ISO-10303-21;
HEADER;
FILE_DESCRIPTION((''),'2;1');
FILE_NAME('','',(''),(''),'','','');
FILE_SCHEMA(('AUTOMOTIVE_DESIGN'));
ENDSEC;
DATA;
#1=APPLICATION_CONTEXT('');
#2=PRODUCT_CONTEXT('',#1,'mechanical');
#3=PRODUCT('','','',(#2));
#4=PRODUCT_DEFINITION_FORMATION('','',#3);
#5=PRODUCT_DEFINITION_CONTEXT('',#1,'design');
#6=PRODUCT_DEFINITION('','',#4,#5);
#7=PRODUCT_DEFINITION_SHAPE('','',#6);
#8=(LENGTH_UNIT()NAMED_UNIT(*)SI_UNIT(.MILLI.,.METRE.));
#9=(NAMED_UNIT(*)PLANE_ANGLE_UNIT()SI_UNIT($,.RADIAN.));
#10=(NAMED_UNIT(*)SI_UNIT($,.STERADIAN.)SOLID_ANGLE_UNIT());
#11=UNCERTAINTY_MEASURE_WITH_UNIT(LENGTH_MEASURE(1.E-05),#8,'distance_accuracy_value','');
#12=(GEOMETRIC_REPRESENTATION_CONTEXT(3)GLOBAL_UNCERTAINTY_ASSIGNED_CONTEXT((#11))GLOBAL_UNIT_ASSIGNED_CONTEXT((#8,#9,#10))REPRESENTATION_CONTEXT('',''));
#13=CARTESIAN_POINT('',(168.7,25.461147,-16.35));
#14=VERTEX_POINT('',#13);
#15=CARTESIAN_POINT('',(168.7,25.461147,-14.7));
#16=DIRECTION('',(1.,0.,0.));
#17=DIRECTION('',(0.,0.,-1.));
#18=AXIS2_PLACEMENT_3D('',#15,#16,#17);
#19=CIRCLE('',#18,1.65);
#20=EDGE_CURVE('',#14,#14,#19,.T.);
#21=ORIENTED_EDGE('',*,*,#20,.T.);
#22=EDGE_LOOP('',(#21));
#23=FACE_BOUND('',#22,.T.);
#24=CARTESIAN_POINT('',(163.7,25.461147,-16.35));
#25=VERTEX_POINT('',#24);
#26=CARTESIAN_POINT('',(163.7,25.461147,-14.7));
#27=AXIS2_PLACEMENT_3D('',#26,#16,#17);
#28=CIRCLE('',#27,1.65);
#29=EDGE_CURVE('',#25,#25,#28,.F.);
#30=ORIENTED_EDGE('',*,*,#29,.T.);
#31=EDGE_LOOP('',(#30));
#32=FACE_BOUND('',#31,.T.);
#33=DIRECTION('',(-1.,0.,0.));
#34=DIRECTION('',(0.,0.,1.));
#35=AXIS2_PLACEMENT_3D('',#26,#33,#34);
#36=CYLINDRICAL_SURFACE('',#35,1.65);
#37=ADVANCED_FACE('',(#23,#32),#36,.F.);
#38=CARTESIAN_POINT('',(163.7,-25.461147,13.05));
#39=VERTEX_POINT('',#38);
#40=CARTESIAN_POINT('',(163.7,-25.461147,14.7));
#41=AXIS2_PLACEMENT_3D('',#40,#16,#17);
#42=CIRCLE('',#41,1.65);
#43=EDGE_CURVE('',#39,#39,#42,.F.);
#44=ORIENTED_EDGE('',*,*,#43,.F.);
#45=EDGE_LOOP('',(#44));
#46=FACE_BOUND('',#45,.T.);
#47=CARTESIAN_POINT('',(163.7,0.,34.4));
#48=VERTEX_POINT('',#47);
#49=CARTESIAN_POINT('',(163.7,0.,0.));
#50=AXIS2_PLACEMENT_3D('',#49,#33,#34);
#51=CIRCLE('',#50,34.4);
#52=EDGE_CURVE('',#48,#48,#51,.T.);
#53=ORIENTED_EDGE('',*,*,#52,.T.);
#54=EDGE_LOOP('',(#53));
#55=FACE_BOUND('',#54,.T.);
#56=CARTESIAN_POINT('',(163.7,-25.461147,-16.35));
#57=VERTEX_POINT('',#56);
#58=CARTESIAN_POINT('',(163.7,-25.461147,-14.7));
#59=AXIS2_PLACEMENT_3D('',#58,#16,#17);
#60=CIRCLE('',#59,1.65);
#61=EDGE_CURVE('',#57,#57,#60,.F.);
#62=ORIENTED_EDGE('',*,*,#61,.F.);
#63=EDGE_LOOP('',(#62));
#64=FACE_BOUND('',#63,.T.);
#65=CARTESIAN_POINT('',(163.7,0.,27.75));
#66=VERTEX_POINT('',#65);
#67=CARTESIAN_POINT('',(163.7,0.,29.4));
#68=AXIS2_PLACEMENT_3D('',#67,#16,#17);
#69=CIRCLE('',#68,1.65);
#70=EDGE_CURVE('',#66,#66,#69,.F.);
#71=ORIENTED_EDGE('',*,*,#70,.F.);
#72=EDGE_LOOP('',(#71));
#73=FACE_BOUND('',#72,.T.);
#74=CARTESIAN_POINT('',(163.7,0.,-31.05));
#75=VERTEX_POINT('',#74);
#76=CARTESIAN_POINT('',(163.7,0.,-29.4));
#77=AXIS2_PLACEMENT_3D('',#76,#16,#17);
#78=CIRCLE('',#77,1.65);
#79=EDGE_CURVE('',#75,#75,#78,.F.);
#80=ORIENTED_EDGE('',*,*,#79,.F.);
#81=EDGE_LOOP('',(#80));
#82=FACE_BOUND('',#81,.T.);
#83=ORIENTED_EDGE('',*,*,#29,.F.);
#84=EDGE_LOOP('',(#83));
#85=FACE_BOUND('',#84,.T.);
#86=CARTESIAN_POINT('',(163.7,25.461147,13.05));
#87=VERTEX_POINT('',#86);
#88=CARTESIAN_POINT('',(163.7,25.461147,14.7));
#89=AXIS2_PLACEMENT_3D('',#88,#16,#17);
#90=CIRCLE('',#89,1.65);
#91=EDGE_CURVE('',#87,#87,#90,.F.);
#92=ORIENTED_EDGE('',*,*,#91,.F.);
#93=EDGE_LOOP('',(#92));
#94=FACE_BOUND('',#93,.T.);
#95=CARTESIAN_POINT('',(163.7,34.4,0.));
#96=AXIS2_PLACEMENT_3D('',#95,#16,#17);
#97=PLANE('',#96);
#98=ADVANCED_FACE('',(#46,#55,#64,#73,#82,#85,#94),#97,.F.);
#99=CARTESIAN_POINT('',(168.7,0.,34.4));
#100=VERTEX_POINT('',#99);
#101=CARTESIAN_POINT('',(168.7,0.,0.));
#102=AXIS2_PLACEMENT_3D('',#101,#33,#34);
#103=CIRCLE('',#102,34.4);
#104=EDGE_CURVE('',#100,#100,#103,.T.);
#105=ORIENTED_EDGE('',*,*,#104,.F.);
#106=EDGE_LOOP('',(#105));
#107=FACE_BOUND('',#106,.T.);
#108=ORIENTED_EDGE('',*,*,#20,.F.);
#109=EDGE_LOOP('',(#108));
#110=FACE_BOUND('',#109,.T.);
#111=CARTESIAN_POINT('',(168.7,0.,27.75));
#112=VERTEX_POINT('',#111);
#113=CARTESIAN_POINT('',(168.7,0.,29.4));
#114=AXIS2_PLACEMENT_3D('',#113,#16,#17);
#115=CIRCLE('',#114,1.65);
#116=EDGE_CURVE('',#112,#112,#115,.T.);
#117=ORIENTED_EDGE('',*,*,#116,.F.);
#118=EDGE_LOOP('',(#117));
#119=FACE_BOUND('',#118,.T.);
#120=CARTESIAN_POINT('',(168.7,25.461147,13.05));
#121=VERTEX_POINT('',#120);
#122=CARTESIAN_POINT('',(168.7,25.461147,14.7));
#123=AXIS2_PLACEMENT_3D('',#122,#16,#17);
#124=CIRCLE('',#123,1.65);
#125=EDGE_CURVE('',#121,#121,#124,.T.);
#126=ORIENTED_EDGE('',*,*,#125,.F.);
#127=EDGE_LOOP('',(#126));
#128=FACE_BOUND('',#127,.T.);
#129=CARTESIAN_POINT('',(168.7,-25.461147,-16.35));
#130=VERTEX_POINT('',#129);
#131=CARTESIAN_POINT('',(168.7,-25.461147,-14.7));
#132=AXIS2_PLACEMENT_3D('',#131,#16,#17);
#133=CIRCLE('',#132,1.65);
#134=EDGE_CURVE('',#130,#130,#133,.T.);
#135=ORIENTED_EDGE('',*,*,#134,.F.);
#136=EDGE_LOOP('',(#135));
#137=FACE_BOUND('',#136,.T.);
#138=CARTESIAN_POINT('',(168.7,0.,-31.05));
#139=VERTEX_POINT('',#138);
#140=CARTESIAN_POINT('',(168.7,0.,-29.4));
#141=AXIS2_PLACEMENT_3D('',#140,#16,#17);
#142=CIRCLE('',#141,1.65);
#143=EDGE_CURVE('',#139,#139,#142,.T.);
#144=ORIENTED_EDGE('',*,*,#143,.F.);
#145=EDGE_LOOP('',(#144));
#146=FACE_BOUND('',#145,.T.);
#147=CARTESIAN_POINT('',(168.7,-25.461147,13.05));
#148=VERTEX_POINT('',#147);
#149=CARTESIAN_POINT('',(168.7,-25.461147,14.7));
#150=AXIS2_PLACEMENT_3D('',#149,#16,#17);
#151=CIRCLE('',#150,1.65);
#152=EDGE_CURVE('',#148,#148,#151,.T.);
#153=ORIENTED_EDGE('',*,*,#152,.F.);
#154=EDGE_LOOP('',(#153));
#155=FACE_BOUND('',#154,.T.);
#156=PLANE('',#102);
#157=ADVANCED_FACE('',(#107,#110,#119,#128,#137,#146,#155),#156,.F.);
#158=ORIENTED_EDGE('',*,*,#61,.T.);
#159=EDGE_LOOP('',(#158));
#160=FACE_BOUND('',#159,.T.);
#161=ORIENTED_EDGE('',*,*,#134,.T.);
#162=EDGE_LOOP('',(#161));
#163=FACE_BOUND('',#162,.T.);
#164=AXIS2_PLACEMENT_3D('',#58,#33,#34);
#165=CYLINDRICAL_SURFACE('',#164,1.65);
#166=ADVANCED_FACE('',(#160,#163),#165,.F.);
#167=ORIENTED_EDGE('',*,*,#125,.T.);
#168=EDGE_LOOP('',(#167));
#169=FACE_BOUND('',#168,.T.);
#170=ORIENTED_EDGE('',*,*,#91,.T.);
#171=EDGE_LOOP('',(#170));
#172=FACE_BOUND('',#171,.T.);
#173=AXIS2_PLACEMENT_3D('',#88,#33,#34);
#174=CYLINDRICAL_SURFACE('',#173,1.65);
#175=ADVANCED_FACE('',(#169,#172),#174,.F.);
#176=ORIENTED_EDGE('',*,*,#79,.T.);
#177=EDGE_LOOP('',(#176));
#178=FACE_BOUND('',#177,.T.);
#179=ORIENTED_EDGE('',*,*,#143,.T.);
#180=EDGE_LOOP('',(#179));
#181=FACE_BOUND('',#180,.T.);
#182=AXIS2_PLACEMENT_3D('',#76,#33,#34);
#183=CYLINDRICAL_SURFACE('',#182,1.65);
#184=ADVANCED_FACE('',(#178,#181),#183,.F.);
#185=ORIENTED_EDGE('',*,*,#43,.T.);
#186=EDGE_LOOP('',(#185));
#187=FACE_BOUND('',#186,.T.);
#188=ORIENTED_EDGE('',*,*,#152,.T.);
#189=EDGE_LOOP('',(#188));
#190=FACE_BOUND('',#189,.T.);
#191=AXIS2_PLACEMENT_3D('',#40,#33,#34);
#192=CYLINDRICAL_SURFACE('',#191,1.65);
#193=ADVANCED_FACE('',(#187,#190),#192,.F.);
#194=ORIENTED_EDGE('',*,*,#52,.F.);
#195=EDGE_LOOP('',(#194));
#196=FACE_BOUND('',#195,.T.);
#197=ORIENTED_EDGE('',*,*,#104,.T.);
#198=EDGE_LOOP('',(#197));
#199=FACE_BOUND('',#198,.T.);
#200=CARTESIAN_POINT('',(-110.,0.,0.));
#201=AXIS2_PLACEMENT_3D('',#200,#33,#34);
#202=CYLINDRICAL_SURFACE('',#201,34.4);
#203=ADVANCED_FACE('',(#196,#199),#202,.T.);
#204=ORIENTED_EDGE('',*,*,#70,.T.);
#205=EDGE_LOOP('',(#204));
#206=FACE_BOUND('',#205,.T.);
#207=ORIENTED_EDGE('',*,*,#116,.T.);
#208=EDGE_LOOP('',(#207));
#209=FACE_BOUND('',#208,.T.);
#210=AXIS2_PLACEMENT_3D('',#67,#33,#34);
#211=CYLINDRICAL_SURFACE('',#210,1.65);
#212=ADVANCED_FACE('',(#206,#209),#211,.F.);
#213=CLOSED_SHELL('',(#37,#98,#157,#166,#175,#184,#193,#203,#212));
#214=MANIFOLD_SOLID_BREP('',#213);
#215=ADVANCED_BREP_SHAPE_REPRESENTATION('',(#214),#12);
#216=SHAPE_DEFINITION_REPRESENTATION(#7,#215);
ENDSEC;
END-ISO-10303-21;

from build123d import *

# Parameters (mm, degrees)
AXIAL_PROFILE_MM_W     = 5
AXIAL_PROFILE_MM_H     = 34.4
AXIAL_HOLES_DEPTH      = 176.574514096
AXIAL_HOLES_DEPTH_BACK = 176.574514096
SKETCH2_R              = 1.65


with BuildPart() as part:
    # Axial profile (mm) → Full revolution (revolve)
    with BuildSketch(Plane.XY, mode=Mode.PRIVATE) as full_revolution_sk:
        with Locations((166.2, 17.2)):
            Rectangle(AXIAL_PROFILE_MM_W, AXIAL_PROFILE_MM_H)
    revolve(full_revolution_sk.sketch.rotate(Axis((-110, 0, 0), (1, 0, 0)), 90), axis=Axis((-110, 0, 0), (1, 0, 0)))

    # Sketch2 → Axial holes (cut, two sides: drawn at the far end of the back side and taken through both)
    with BuildSketch(Plane(origin=(0, 0, 0), x_dir=(0, 0, -1), z_dir=(1, 0, 0)).offset(-AXIAL_HOLES_DEPTH_BACK)):
        with Locations((-29.4, 0)):
            Circle(SKETCH2_R)
        with Locations((14.7, -25.461146871)):
            Circle(SKETCH2_R)
        with Locations((14.7, 25.461146871)):
            Circle(SKETCH2_R)
        with Locations((29.4, 0)):
            Circle(SKETCH2_R)
        with Locations((-14.7, 25.461146871)):
            Circle(SKETCH2_R)
        with Locations((-14.7, -25.461146871)):
            Circle(SKETCH2_R)
    extrude(amount=AXIAL_HOLES_DEPTH + AXIAL_HOLES_DEPTH_BACK, mode=Mode.SUBTRACT)


solid = part.part
